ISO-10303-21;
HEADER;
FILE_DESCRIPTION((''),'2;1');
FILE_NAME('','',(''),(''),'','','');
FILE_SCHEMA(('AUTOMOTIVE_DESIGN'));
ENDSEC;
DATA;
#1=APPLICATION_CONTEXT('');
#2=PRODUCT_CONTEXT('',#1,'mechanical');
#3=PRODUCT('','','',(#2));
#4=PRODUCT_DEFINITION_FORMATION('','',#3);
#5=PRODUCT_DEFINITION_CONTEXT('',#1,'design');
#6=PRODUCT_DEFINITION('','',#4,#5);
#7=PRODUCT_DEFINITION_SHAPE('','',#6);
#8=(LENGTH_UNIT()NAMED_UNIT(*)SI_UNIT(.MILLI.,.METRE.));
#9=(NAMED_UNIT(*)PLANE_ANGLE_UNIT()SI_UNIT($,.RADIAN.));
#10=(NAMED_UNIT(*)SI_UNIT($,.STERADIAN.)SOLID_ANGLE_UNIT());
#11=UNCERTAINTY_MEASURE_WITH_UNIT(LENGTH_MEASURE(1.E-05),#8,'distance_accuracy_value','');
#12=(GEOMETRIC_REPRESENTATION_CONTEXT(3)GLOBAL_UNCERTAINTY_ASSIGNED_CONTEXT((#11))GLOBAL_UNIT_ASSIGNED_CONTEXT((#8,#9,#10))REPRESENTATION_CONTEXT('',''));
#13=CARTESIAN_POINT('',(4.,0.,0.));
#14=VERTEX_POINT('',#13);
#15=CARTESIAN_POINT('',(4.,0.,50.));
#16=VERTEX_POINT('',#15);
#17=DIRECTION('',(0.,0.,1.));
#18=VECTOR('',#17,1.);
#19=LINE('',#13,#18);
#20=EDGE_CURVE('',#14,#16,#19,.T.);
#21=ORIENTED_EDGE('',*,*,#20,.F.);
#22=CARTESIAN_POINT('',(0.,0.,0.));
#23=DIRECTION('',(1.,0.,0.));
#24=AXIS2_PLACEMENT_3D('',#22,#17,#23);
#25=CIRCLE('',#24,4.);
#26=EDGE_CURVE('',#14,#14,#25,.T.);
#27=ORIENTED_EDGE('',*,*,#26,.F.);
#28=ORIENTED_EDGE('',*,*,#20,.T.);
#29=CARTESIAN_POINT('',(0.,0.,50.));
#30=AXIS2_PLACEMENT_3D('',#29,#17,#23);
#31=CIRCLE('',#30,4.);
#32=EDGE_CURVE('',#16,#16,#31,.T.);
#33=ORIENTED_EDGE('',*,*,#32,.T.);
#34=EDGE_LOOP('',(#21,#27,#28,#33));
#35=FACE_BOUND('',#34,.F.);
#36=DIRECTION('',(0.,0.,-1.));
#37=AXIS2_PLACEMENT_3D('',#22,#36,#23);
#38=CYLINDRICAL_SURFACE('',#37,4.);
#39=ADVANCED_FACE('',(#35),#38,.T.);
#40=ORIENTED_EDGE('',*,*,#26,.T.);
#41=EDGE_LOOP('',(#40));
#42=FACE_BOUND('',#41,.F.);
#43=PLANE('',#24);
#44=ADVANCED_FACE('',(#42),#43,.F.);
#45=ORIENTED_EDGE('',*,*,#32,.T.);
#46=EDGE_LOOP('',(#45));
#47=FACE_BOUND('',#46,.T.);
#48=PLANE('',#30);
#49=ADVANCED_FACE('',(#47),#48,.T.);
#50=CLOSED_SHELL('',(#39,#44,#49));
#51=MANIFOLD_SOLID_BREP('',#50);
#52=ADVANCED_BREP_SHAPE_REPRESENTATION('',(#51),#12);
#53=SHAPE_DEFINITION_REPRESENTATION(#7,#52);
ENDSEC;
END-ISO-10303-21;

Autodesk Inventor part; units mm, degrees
ref_plane "YZ Plane" through (0, 0, 0) normal (1, 0, 0) x (0, 1, 0)
ref_plane "XZ Plane" through (0, 0, 0) normal (0, 1, 0) x (-1, 0, 0)
ref_plane "XY Plane" through (0, 0, 0) normal (0, 0, 1) x (1, 0, 0)
sketch "Sketch1" plane through (0, 0, 0) normal (0, 0, 1) x (1, 0, 0)
  circle A0 centre (0, 0) radius 4
  dimension "d0" = 8
extrude "Extrusion1" add sketch "Sketch1" along normal blind 50
properties part number "middle_wheel_axel"
